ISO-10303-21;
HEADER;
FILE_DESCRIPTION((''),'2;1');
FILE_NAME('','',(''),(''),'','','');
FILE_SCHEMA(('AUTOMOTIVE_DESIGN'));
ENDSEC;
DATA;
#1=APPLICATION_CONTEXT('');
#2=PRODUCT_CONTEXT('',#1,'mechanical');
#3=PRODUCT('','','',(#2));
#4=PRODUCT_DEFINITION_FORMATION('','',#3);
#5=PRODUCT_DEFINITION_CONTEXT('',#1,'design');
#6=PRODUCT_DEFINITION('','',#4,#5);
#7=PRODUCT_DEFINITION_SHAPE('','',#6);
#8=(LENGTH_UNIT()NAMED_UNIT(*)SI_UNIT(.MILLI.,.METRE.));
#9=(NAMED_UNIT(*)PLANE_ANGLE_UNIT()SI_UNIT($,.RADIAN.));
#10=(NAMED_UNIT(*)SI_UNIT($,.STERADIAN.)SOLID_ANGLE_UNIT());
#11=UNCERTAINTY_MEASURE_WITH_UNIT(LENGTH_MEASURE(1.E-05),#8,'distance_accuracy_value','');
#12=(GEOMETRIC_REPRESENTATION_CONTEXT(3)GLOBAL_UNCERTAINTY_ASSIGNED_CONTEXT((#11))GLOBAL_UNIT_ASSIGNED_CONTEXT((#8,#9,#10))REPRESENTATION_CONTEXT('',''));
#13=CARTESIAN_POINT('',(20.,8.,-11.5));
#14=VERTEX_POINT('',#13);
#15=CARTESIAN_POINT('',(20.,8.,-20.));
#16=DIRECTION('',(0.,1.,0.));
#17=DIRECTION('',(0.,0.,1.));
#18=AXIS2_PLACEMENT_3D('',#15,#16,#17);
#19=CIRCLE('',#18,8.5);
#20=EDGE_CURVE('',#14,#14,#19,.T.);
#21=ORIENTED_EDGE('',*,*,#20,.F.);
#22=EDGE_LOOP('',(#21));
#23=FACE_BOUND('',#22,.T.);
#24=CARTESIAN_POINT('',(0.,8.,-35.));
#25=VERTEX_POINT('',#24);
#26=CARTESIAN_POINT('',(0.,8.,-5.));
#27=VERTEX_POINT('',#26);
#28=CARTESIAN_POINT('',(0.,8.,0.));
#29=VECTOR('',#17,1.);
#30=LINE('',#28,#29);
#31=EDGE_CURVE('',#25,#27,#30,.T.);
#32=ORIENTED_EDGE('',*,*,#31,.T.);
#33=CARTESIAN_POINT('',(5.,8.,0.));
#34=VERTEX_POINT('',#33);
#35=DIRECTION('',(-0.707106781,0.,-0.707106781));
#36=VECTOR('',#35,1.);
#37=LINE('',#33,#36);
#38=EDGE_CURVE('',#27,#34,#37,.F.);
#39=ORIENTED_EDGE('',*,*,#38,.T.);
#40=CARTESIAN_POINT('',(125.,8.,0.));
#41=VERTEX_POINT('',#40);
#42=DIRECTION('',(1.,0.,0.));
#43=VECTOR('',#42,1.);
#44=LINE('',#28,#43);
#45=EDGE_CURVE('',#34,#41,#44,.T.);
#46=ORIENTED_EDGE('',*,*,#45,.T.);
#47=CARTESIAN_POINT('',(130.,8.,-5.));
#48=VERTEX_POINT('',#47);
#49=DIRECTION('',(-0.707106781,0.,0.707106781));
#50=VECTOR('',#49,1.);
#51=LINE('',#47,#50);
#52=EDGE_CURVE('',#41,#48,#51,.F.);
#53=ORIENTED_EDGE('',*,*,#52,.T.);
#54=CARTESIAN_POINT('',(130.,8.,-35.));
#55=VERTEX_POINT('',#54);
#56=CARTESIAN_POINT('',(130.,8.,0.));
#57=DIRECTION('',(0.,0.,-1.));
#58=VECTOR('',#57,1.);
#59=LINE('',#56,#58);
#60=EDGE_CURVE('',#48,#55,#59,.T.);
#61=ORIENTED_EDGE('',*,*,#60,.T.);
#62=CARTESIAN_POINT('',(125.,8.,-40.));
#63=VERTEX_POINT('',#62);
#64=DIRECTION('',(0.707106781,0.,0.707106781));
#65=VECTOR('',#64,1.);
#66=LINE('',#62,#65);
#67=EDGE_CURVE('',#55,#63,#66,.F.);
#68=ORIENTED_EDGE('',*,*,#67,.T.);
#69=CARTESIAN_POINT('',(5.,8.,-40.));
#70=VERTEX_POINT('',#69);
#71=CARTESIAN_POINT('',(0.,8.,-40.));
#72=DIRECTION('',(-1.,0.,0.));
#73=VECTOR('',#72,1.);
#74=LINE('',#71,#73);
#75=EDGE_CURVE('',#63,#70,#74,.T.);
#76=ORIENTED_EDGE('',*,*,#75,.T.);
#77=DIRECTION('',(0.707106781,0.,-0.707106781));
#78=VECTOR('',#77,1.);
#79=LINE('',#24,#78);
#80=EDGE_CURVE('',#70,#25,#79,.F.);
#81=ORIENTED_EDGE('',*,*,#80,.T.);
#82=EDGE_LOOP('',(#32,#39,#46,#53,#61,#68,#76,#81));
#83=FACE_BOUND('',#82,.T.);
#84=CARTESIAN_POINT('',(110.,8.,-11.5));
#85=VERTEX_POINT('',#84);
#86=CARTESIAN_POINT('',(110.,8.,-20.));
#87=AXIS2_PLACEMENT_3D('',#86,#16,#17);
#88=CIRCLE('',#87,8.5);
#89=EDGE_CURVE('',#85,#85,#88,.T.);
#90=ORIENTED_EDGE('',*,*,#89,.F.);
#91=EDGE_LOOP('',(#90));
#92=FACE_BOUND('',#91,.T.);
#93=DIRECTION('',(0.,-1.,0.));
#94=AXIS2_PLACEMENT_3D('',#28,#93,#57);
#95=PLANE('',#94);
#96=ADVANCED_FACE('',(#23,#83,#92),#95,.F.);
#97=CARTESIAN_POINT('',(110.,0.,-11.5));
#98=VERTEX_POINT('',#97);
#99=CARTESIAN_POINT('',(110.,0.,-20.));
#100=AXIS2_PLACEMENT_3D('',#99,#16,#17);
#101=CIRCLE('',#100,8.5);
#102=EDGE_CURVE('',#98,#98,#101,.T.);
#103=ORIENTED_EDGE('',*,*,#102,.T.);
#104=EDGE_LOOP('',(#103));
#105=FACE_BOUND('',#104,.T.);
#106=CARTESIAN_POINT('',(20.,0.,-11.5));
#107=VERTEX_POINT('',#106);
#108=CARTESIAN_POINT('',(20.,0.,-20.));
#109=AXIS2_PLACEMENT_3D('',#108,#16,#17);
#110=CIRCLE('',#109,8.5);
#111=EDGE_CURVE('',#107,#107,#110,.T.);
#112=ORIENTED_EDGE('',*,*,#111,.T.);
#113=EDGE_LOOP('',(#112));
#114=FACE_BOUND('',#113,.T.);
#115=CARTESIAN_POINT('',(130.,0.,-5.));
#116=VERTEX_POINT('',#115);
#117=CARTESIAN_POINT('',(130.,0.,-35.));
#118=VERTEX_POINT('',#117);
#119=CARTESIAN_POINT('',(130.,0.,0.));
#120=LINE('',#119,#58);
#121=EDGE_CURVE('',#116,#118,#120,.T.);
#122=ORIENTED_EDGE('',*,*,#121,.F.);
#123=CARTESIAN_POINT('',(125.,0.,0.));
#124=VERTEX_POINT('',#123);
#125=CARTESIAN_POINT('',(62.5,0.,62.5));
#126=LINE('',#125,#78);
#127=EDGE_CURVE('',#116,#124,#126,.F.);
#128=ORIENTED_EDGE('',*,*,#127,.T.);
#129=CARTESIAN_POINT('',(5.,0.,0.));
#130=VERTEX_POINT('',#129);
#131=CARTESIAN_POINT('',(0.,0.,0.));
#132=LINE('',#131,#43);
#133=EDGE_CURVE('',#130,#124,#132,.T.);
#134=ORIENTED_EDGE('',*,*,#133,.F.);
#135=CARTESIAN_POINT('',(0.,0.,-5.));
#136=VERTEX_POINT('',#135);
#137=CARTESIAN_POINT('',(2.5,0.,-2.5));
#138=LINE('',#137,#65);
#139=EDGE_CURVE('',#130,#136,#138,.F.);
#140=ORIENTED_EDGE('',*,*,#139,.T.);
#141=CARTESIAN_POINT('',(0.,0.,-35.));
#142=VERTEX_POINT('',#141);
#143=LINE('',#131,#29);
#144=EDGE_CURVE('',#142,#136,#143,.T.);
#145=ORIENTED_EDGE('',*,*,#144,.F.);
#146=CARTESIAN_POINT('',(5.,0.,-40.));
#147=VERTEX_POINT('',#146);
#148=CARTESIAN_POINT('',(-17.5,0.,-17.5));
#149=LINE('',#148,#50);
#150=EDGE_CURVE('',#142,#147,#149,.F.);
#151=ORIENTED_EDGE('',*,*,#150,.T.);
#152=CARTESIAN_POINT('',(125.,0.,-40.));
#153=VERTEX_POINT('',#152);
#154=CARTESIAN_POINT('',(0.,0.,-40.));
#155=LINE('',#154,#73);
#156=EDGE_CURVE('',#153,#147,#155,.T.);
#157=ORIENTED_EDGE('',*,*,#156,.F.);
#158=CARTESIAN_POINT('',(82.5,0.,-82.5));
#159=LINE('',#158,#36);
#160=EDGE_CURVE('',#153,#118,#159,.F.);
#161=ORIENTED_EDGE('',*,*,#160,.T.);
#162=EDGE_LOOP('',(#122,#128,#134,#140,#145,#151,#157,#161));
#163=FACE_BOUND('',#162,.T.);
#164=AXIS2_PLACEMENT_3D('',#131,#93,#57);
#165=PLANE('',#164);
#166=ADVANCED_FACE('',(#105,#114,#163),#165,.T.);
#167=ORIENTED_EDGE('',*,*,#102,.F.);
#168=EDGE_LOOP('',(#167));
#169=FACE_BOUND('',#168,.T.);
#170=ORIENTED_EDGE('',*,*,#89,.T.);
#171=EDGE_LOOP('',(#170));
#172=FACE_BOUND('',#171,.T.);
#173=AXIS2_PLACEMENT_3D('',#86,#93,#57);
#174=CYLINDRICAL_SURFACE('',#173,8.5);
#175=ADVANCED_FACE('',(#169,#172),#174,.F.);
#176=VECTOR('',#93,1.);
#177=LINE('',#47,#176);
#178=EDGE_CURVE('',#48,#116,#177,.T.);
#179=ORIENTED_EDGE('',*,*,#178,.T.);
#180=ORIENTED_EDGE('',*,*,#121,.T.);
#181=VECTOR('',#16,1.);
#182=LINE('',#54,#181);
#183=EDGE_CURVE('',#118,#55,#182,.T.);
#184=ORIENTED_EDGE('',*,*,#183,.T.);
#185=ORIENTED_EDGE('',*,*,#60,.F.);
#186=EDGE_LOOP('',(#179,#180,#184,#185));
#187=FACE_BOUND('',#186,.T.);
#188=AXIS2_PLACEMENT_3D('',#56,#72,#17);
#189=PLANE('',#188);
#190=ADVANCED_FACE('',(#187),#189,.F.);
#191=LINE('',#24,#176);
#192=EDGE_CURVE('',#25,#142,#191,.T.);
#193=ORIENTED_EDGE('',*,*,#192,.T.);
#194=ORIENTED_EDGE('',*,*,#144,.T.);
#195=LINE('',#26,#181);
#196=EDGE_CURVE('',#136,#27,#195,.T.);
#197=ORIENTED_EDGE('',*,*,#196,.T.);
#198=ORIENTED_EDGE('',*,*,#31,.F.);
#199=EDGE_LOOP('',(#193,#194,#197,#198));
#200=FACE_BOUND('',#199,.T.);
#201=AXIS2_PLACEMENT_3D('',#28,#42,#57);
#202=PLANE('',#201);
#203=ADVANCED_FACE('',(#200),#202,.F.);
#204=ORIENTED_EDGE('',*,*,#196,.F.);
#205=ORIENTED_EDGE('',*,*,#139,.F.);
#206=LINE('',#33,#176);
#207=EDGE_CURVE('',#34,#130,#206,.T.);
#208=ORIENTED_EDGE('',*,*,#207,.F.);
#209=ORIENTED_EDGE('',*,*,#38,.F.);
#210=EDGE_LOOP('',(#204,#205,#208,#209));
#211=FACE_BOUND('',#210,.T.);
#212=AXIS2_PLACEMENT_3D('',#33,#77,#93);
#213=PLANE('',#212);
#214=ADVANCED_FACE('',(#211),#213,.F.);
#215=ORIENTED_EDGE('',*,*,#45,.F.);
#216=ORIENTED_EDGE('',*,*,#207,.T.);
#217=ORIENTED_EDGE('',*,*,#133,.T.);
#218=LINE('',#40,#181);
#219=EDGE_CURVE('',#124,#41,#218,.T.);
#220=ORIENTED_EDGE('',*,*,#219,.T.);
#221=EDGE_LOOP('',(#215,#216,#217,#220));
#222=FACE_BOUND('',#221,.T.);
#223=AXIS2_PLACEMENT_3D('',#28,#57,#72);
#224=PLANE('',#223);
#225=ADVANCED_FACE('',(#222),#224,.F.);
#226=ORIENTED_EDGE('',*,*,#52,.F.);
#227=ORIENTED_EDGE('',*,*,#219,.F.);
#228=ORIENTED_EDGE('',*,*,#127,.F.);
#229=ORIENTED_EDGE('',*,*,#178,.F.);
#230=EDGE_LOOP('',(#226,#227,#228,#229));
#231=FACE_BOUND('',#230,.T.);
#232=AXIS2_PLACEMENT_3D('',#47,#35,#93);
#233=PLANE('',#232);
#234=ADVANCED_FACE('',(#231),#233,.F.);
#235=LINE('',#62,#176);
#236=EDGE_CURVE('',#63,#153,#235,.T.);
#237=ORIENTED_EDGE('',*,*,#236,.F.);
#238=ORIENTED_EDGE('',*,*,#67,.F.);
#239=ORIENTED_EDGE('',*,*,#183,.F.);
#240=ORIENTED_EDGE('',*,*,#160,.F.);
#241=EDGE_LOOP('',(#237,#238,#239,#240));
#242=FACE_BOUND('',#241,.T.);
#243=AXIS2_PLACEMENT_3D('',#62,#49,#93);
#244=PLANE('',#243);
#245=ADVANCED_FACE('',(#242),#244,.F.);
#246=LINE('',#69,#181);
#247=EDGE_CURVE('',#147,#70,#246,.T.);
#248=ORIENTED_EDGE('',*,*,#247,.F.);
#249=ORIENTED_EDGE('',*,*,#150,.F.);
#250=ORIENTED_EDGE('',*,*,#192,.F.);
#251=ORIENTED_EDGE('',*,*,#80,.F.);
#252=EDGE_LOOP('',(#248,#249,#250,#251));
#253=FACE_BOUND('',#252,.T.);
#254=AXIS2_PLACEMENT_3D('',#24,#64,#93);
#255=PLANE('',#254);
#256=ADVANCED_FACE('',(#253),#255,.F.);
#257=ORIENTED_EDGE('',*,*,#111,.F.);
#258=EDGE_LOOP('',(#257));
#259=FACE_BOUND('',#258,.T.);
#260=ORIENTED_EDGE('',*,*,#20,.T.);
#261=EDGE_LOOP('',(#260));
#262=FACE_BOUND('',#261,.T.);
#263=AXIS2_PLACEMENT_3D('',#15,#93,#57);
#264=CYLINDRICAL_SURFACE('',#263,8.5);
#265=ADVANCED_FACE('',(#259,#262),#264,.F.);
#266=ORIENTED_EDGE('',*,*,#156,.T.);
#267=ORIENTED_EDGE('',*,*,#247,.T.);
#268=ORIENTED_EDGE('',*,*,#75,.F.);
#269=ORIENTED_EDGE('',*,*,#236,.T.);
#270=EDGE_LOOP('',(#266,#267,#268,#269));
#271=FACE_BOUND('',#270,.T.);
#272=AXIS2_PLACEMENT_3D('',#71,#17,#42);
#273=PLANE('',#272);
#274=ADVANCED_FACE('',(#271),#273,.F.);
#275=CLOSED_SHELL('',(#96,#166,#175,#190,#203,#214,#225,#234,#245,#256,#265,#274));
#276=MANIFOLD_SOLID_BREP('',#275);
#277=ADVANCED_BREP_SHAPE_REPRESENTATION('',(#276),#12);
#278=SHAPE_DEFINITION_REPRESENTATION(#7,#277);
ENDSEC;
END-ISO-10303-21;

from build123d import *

# Parameters (mm, degrees)
SKETCH_1_W      = 130
SKETCH_1_H      = 40
SKETCH_1_R      = 8.5
EXTRUDE_1_DEPTH = 8
CHAMFER_1_SIZE  = 5


with BuildPart() as part:
    # 草图1 → 凸台-拉伸1 (new body)
    with BuildSketch(Plane(origin=(0, 0, 0), x_dir=(1, 0, 0), z_dir=(0, 1, 0))):
        with Locations((65, 20)):
            Rectangle(SKETCH_1_W, SKETCH_1_H)
        with Locations(Location((20, 20, 0), (0, 0, 270))):
            Circle(SKETCH_1_R, mode=Mode.SUBTRACT)
        with Locations(Location((110, 20, 0), (0, 0, 270))):
            Circle(SKETCH_1_R, mode=Mode.SUBTRACT)
    extrude(amount=EXTRUDE_1_DEPTH)

    # 倒角1
    chamfer_1_edges = [part.edges().sort_by_distance(p)[0] for p in [
        (0, 4, -40),
        (130, 4, -40),
        (130, 4, 0),
        (0, 4, 0),
    ]]
    chamfer(chamfer_1_edges, length=CHAMFER_1_SIZE)


solid = part.part
